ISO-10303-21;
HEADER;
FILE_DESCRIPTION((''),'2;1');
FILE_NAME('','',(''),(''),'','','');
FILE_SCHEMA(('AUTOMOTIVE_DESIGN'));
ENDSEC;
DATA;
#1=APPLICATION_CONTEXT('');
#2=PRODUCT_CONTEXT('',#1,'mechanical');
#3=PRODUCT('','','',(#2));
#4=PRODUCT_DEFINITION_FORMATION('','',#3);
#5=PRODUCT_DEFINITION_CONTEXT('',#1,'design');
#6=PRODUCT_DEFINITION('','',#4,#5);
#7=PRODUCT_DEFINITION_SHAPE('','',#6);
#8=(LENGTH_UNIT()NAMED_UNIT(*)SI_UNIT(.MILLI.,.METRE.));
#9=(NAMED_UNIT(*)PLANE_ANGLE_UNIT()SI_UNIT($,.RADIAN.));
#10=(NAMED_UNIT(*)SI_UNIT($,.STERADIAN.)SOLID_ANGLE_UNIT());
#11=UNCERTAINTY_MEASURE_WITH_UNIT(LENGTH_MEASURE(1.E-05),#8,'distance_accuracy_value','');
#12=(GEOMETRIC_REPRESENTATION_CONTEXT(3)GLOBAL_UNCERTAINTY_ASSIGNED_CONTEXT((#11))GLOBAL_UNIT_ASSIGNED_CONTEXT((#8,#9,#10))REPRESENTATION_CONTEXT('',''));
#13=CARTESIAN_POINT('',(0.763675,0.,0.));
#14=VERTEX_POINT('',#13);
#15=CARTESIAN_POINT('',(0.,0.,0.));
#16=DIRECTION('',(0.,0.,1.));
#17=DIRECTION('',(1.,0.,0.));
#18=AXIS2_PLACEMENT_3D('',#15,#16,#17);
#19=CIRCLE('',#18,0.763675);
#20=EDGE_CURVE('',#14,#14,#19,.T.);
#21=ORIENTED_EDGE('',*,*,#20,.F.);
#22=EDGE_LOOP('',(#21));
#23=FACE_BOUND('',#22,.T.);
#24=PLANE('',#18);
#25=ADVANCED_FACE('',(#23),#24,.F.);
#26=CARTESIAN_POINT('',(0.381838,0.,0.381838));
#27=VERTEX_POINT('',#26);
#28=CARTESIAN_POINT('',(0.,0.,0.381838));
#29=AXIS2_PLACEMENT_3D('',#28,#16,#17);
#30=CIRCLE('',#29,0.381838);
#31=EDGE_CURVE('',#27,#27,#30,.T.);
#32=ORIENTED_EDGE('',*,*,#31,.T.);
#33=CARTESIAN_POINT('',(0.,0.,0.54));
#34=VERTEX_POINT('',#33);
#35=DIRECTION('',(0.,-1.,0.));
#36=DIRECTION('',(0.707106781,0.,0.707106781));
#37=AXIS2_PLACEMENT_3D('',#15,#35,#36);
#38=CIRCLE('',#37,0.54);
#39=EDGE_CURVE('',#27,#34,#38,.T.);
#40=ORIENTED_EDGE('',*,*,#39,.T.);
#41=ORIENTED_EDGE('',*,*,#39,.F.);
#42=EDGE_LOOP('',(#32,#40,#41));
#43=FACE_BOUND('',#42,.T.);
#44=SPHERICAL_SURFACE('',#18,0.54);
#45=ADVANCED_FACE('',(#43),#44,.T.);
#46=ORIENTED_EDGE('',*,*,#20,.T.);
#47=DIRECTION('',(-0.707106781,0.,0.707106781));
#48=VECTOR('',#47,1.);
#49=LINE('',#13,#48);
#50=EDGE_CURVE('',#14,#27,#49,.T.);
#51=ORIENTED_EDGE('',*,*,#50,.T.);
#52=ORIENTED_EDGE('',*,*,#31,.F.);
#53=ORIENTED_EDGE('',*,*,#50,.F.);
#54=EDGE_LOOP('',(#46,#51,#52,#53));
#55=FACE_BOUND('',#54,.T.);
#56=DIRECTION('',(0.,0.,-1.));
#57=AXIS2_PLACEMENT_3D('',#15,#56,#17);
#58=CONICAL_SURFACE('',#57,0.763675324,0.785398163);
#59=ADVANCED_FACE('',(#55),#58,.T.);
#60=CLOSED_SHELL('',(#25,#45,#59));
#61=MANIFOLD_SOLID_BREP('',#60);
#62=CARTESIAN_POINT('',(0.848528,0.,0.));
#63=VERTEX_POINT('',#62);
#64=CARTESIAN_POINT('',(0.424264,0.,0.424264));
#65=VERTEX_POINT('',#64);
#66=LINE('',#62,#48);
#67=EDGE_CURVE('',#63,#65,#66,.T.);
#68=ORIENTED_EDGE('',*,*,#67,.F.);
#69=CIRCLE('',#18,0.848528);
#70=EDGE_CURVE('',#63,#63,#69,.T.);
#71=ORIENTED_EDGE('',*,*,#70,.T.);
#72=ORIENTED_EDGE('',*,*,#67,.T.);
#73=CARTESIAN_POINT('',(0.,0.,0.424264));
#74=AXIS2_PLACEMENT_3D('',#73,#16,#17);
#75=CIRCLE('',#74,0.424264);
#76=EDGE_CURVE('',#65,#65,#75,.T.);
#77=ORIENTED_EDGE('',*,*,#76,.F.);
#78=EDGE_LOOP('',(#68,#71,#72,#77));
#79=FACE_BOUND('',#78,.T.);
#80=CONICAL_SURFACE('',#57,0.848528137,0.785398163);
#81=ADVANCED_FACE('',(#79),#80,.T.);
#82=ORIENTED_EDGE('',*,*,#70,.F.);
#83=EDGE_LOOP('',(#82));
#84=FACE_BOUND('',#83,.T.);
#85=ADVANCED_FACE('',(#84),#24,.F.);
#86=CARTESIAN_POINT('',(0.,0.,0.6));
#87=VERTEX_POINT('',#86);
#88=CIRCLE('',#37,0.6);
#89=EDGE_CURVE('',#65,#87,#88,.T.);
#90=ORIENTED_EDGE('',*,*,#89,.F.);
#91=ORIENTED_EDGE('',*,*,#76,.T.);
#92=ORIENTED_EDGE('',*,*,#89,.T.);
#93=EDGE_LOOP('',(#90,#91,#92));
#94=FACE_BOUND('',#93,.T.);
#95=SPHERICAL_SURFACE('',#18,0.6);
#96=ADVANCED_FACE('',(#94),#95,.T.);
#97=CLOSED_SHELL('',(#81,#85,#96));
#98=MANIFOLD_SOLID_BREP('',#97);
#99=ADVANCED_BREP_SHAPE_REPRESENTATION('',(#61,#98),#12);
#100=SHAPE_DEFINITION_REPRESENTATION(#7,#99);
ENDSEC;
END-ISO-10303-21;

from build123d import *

# Parameters (mm, degrees)
F2_SCALE = 0.9


with BuildPart() as f1:
    # F0 (on Front) → F1 (revolve)
    with BuildSketch(Plane.XZ):
        with BuildLine():
            Line((0, 0), (0.6, 0))
            ThreePointArc((0.6, 0), (0.5543277195, 0.2296100594), (0.4242640687, 0.4242640687))
            ThreePointArc((0.4242640687, 0.4242640687), (0.2296100594, 0.5543277195), (0, 0.6))
            Line((0, 0.6), (0, 0))
        make_face()
        with BuildLine():
            ThreePointArc((0.4242640687, 0.4242640687), (0.5543277195, 0.2296100594), (0.6, 0))
            Line((0.6, 0), (0.8485281374, 0))
            Line((0.8485281374, 0), (0.4242640687, 0.4242640687))
        make_face()
    revolve(axis=Axis((0, 0, 0.3), (0, 0, 1)))


with BuildPart() as f2_1:
    # F2: copy of F1
    add(f1.part.scale(F2_SCALE).moved(Location((0, 0, 0))))


solid = Compound([f1.part, f2_1.part])
